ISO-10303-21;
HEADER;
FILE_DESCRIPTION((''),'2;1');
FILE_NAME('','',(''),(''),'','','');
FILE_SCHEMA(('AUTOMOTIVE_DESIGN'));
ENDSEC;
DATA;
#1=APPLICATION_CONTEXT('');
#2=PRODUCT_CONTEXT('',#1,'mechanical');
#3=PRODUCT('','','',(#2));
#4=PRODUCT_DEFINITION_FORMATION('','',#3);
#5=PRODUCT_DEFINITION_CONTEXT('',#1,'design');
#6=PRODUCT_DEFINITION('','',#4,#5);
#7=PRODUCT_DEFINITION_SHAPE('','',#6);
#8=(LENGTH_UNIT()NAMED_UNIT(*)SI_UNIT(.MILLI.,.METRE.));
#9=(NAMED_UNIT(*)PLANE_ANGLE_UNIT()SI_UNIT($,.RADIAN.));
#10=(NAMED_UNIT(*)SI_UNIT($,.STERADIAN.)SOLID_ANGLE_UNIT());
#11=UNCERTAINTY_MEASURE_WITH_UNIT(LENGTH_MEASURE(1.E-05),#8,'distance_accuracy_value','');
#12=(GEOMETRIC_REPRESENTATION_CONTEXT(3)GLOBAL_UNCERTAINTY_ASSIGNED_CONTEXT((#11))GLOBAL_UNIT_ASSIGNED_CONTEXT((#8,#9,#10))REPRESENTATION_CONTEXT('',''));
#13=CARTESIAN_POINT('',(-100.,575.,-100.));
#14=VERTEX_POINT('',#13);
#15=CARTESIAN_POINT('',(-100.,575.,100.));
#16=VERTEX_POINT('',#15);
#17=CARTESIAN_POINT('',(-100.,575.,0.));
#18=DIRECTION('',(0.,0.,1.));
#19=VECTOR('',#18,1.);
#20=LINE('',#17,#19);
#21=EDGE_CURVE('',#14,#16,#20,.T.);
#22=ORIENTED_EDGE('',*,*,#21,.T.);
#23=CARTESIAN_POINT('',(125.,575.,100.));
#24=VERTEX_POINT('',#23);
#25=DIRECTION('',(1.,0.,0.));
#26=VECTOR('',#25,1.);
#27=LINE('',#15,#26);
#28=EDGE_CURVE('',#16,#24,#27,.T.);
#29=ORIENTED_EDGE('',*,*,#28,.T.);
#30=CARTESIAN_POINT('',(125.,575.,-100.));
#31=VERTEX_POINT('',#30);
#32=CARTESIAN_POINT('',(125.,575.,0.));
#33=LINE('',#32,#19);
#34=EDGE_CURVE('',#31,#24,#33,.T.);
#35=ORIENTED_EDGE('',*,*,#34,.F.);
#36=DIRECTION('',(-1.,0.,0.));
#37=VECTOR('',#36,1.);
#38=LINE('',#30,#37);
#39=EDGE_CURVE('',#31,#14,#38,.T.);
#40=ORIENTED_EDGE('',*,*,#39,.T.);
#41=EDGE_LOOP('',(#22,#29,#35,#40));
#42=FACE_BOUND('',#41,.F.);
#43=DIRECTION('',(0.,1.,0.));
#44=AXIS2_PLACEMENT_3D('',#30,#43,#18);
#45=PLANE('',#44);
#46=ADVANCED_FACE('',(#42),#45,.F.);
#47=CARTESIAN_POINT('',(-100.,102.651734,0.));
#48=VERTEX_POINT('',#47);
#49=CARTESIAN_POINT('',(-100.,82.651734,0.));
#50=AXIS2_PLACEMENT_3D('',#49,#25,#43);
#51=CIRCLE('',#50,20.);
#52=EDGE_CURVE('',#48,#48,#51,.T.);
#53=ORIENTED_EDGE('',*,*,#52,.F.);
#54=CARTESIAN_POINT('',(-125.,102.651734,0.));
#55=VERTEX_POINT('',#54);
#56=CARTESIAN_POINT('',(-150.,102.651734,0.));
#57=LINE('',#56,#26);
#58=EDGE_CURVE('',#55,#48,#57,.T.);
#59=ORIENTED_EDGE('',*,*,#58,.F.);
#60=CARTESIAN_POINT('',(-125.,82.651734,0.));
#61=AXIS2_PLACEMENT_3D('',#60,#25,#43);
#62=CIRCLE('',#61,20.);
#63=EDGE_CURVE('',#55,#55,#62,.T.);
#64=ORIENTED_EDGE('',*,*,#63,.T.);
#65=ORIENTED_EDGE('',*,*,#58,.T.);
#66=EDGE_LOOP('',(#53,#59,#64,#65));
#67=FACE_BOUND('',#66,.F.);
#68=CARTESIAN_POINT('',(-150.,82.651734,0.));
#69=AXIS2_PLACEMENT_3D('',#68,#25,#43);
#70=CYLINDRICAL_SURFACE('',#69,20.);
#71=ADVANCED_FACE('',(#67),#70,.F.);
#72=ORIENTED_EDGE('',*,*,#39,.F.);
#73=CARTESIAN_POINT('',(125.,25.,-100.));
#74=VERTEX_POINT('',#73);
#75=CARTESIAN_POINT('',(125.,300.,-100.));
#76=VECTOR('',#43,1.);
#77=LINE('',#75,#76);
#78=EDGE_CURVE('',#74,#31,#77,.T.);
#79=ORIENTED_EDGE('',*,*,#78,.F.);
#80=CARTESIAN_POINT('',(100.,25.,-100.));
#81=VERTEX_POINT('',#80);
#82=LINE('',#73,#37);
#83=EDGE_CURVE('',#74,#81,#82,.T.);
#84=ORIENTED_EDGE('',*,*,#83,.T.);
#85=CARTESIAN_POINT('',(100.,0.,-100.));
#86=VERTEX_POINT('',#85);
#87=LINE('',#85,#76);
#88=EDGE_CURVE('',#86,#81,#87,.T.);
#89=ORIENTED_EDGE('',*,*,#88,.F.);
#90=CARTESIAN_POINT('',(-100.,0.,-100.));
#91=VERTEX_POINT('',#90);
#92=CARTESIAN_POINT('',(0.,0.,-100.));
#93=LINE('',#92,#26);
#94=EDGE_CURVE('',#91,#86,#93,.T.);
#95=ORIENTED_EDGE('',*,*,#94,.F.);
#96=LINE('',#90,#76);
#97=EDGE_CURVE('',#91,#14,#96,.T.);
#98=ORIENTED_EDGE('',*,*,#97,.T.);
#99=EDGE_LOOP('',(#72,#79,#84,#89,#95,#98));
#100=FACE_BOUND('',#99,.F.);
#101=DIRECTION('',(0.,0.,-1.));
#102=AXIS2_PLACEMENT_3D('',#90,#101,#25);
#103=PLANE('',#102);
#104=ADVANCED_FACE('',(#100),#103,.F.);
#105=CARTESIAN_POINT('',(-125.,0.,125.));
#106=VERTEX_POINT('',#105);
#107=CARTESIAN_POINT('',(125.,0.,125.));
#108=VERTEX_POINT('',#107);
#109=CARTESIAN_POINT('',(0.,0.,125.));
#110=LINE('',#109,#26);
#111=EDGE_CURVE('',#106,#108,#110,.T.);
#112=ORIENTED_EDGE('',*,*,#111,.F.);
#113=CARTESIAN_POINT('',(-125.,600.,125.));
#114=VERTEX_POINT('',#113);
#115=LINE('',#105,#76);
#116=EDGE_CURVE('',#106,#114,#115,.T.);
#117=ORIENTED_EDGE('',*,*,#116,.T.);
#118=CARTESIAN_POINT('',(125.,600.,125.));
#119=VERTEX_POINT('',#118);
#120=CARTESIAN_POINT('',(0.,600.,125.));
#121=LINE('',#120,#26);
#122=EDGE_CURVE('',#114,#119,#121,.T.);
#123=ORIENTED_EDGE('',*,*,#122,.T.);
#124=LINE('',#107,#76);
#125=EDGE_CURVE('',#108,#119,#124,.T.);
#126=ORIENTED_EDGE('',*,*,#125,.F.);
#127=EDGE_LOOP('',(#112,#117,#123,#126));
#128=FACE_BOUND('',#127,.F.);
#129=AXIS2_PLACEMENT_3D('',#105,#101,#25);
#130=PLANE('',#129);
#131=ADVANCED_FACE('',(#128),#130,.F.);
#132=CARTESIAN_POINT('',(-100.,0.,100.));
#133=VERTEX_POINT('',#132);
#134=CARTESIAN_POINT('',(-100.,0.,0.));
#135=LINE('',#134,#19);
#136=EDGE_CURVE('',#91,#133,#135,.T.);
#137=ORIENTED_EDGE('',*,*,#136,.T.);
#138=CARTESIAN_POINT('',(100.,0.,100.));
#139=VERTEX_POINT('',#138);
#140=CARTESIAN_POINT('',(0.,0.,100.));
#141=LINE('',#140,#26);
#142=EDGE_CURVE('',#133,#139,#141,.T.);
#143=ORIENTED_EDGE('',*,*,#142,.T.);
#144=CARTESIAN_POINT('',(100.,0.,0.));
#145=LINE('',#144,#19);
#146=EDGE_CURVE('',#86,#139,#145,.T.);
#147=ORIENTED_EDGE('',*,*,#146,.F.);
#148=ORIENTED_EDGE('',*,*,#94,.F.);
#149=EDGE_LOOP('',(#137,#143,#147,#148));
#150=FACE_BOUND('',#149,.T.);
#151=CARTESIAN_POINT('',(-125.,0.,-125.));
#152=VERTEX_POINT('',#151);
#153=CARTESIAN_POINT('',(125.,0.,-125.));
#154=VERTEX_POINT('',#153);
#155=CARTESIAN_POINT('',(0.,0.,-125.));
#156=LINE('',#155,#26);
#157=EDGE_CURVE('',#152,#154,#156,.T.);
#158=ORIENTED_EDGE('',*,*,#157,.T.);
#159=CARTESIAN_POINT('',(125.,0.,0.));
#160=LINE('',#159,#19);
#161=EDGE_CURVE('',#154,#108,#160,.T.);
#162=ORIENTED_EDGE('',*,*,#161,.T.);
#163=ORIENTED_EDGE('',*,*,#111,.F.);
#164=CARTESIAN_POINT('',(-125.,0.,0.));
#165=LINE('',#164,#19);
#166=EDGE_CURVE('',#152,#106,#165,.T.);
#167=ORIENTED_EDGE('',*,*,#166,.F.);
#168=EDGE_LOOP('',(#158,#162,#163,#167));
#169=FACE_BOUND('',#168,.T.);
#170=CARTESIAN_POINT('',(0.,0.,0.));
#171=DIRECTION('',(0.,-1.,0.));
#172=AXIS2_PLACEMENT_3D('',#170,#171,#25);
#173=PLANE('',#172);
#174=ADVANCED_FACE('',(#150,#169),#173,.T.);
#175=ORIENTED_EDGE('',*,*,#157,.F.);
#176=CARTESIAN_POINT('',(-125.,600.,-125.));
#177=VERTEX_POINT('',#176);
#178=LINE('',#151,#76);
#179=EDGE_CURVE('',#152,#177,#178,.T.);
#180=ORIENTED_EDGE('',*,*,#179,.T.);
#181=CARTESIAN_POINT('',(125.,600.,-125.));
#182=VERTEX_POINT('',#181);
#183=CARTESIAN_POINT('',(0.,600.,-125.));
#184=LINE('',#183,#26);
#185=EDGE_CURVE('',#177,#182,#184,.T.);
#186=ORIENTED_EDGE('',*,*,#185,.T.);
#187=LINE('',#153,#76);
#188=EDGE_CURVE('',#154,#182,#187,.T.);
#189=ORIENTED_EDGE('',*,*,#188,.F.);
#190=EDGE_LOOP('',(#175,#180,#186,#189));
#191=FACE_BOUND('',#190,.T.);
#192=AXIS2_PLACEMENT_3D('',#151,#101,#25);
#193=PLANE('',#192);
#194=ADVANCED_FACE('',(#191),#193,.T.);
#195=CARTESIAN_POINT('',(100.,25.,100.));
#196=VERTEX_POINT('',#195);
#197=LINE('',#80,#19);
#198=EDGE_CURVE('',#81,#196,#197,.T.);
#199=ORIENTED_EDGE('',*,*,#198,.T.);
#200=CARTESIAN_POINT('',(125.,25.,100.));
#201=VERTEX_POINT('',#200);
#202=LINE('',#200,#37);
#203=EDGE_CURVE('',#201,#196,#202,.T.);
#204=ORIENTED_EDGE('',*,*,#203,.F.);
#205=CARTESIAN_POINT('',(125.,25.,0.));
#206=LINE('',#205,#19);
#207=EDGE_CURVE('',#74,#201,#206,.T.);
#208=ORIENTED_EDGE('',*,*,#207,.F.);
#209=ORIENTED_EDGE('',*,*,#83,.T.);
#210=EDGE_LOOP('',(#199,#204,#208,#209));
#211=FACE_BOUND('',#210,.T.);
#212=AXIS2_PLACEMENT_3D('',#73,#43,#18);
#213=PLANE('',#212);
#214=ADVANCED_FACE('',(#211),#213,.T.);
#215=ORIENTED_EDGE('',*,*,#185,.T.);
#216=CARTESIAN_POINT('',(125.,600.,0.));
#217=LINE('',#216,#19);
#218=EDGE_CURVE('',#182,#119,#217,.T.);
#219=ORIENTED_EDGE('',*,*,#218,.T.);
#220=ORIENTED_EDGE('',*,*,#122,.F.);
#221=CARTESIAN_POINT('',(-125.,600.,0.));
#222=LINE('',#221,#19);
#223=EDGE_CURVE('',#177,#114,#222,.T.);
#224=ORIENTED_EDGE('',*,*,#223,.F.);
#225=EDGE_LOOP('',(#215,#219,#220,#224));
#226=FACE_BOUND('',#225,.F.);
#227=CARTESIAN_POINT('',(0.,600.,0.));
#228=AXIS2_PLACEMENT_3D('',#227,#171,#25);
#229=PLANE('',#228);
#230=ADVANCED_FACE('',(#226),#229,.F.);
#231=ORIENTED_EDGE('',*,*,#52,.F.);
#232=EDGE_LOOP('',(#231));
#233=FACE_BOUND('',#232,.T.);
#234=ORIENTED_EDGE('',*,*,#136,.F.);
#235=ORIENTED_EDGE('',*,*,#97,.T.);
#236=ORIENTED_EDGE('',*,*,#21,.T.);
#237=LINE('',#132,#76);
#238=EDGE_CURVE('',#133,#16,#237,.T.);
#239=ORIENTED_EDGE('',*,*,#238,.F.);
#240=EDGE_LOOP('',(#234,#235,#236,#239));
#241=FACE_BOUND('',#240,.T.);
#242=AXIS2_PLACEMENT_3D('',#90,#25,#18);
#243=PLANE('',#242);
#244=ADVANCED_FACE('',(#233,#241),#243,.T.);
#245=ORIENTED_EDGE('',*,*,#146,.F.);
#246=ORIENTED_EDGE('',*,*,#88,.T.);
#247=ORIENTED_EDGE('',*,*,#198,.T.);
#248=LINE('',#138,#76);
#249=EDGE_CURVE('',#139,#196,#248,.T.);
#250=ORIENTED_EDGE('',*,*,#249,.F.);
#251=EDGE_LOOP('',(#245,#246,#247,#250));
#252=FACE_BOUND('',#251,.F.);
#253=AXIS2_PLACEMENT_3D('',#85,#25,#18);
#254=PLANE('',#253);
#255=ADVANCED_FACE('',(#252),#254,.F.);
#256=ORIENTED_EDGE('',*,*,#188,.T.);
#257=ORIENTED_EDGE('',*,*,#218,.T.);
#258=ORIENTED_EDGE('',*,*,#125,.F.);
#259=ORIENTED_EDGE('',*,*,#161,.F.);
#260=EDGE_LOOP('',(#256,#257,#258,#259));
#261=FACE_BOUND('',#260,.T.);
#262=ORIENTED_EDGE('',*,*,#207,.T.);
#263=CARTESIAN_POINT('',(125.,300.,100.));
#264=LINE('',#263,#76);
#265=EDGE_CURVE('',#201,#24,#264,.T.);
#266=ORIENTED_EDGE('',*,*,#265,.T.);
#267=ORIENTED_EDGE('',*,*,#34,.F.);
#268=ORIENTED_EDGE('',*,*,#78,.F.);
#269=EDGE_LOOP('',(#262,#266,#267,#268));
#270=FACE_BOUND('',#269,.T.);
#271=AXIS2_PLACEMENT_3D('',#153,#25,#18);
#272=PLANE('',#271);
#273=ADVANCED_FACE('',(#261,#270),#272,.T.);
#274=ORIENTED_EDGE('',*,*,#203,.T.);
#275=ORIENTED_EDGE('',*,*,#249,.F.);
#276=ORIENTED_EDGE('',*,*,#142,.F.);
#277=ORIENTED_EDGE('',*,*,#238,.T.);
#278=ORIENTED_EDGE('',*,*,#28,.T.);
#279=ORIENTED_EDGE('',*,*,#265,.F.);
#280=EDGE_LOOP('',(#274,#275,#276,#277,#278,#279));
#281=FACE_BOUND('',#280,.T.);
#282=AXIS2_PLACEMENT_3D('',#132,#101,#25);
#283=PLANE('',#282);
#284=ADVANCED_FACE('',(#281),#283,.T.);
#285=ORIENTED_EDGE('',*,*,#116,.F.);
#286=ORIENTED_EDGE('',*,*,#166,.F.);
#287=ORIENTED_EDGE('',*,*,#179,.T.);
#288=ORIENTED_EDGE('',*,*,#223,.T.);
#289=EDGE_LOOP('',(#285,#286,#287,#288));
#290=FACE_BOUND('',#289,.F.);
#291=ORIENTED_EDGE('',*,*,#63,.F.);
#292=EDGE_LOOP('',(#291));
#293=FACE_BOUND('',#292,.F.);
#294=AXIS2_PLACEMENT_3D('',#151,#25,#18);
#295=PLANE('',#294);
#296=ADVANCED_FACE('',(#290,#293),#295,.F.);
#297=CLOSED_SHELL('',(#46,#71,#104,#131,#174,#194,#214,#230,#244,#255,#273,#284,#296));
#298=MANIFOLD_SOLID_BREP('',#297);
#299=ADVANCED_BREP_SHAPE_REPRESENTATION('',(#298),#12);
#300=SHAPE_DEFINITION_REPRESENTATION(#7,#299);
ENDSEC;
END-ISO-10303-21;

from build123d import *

# Parameters (mm, degrees)
F0_W     = 250
F0_H     = 250
F1_DEPTH = 600
F2_W     = 200
F2_H     = 200
F3_DEPTH = 575
F4_W     = 550
F4_H     = 200
F5_DEPTH = 48
F7_D     = 40
F7_DEPTH = 25


with BuildPart() as f1:
    # F0 (on Front) → F1 (new body)
    with BuildSketch(Plane.XZ):
        Rectangle(F0_W, F0_H)
    extrude(amount=-F1_DEPTH)

    # F2 (on face) → F3 (cut)
    with BuildSketch(Plane.XZ):
        Rectangle(F2_W, F2_H)
    extrude(amount=-F3_DEPTH, mode=Mode.SUBTRACT)

    # F4 (on face) → F5 (cut)
    with BuildSketch(Plane.YZ.offset(125)):
        with Locations((300, 0)):
            Rectangle(F4_W, F4_H)
    extrude(amount=-F5_DEPTH, mode=Mode.SUBTRACT)

    # F7
    with Locations(Plane(origin=(-125, 0, 0), x_dir=(0, -1, 0), z_dir=(-1, 0, 0))):
        with Locations((-82.651734, 0)):
            Hole(F7_D / 2, depth=F7_DEPTH)


solid = f1.part
